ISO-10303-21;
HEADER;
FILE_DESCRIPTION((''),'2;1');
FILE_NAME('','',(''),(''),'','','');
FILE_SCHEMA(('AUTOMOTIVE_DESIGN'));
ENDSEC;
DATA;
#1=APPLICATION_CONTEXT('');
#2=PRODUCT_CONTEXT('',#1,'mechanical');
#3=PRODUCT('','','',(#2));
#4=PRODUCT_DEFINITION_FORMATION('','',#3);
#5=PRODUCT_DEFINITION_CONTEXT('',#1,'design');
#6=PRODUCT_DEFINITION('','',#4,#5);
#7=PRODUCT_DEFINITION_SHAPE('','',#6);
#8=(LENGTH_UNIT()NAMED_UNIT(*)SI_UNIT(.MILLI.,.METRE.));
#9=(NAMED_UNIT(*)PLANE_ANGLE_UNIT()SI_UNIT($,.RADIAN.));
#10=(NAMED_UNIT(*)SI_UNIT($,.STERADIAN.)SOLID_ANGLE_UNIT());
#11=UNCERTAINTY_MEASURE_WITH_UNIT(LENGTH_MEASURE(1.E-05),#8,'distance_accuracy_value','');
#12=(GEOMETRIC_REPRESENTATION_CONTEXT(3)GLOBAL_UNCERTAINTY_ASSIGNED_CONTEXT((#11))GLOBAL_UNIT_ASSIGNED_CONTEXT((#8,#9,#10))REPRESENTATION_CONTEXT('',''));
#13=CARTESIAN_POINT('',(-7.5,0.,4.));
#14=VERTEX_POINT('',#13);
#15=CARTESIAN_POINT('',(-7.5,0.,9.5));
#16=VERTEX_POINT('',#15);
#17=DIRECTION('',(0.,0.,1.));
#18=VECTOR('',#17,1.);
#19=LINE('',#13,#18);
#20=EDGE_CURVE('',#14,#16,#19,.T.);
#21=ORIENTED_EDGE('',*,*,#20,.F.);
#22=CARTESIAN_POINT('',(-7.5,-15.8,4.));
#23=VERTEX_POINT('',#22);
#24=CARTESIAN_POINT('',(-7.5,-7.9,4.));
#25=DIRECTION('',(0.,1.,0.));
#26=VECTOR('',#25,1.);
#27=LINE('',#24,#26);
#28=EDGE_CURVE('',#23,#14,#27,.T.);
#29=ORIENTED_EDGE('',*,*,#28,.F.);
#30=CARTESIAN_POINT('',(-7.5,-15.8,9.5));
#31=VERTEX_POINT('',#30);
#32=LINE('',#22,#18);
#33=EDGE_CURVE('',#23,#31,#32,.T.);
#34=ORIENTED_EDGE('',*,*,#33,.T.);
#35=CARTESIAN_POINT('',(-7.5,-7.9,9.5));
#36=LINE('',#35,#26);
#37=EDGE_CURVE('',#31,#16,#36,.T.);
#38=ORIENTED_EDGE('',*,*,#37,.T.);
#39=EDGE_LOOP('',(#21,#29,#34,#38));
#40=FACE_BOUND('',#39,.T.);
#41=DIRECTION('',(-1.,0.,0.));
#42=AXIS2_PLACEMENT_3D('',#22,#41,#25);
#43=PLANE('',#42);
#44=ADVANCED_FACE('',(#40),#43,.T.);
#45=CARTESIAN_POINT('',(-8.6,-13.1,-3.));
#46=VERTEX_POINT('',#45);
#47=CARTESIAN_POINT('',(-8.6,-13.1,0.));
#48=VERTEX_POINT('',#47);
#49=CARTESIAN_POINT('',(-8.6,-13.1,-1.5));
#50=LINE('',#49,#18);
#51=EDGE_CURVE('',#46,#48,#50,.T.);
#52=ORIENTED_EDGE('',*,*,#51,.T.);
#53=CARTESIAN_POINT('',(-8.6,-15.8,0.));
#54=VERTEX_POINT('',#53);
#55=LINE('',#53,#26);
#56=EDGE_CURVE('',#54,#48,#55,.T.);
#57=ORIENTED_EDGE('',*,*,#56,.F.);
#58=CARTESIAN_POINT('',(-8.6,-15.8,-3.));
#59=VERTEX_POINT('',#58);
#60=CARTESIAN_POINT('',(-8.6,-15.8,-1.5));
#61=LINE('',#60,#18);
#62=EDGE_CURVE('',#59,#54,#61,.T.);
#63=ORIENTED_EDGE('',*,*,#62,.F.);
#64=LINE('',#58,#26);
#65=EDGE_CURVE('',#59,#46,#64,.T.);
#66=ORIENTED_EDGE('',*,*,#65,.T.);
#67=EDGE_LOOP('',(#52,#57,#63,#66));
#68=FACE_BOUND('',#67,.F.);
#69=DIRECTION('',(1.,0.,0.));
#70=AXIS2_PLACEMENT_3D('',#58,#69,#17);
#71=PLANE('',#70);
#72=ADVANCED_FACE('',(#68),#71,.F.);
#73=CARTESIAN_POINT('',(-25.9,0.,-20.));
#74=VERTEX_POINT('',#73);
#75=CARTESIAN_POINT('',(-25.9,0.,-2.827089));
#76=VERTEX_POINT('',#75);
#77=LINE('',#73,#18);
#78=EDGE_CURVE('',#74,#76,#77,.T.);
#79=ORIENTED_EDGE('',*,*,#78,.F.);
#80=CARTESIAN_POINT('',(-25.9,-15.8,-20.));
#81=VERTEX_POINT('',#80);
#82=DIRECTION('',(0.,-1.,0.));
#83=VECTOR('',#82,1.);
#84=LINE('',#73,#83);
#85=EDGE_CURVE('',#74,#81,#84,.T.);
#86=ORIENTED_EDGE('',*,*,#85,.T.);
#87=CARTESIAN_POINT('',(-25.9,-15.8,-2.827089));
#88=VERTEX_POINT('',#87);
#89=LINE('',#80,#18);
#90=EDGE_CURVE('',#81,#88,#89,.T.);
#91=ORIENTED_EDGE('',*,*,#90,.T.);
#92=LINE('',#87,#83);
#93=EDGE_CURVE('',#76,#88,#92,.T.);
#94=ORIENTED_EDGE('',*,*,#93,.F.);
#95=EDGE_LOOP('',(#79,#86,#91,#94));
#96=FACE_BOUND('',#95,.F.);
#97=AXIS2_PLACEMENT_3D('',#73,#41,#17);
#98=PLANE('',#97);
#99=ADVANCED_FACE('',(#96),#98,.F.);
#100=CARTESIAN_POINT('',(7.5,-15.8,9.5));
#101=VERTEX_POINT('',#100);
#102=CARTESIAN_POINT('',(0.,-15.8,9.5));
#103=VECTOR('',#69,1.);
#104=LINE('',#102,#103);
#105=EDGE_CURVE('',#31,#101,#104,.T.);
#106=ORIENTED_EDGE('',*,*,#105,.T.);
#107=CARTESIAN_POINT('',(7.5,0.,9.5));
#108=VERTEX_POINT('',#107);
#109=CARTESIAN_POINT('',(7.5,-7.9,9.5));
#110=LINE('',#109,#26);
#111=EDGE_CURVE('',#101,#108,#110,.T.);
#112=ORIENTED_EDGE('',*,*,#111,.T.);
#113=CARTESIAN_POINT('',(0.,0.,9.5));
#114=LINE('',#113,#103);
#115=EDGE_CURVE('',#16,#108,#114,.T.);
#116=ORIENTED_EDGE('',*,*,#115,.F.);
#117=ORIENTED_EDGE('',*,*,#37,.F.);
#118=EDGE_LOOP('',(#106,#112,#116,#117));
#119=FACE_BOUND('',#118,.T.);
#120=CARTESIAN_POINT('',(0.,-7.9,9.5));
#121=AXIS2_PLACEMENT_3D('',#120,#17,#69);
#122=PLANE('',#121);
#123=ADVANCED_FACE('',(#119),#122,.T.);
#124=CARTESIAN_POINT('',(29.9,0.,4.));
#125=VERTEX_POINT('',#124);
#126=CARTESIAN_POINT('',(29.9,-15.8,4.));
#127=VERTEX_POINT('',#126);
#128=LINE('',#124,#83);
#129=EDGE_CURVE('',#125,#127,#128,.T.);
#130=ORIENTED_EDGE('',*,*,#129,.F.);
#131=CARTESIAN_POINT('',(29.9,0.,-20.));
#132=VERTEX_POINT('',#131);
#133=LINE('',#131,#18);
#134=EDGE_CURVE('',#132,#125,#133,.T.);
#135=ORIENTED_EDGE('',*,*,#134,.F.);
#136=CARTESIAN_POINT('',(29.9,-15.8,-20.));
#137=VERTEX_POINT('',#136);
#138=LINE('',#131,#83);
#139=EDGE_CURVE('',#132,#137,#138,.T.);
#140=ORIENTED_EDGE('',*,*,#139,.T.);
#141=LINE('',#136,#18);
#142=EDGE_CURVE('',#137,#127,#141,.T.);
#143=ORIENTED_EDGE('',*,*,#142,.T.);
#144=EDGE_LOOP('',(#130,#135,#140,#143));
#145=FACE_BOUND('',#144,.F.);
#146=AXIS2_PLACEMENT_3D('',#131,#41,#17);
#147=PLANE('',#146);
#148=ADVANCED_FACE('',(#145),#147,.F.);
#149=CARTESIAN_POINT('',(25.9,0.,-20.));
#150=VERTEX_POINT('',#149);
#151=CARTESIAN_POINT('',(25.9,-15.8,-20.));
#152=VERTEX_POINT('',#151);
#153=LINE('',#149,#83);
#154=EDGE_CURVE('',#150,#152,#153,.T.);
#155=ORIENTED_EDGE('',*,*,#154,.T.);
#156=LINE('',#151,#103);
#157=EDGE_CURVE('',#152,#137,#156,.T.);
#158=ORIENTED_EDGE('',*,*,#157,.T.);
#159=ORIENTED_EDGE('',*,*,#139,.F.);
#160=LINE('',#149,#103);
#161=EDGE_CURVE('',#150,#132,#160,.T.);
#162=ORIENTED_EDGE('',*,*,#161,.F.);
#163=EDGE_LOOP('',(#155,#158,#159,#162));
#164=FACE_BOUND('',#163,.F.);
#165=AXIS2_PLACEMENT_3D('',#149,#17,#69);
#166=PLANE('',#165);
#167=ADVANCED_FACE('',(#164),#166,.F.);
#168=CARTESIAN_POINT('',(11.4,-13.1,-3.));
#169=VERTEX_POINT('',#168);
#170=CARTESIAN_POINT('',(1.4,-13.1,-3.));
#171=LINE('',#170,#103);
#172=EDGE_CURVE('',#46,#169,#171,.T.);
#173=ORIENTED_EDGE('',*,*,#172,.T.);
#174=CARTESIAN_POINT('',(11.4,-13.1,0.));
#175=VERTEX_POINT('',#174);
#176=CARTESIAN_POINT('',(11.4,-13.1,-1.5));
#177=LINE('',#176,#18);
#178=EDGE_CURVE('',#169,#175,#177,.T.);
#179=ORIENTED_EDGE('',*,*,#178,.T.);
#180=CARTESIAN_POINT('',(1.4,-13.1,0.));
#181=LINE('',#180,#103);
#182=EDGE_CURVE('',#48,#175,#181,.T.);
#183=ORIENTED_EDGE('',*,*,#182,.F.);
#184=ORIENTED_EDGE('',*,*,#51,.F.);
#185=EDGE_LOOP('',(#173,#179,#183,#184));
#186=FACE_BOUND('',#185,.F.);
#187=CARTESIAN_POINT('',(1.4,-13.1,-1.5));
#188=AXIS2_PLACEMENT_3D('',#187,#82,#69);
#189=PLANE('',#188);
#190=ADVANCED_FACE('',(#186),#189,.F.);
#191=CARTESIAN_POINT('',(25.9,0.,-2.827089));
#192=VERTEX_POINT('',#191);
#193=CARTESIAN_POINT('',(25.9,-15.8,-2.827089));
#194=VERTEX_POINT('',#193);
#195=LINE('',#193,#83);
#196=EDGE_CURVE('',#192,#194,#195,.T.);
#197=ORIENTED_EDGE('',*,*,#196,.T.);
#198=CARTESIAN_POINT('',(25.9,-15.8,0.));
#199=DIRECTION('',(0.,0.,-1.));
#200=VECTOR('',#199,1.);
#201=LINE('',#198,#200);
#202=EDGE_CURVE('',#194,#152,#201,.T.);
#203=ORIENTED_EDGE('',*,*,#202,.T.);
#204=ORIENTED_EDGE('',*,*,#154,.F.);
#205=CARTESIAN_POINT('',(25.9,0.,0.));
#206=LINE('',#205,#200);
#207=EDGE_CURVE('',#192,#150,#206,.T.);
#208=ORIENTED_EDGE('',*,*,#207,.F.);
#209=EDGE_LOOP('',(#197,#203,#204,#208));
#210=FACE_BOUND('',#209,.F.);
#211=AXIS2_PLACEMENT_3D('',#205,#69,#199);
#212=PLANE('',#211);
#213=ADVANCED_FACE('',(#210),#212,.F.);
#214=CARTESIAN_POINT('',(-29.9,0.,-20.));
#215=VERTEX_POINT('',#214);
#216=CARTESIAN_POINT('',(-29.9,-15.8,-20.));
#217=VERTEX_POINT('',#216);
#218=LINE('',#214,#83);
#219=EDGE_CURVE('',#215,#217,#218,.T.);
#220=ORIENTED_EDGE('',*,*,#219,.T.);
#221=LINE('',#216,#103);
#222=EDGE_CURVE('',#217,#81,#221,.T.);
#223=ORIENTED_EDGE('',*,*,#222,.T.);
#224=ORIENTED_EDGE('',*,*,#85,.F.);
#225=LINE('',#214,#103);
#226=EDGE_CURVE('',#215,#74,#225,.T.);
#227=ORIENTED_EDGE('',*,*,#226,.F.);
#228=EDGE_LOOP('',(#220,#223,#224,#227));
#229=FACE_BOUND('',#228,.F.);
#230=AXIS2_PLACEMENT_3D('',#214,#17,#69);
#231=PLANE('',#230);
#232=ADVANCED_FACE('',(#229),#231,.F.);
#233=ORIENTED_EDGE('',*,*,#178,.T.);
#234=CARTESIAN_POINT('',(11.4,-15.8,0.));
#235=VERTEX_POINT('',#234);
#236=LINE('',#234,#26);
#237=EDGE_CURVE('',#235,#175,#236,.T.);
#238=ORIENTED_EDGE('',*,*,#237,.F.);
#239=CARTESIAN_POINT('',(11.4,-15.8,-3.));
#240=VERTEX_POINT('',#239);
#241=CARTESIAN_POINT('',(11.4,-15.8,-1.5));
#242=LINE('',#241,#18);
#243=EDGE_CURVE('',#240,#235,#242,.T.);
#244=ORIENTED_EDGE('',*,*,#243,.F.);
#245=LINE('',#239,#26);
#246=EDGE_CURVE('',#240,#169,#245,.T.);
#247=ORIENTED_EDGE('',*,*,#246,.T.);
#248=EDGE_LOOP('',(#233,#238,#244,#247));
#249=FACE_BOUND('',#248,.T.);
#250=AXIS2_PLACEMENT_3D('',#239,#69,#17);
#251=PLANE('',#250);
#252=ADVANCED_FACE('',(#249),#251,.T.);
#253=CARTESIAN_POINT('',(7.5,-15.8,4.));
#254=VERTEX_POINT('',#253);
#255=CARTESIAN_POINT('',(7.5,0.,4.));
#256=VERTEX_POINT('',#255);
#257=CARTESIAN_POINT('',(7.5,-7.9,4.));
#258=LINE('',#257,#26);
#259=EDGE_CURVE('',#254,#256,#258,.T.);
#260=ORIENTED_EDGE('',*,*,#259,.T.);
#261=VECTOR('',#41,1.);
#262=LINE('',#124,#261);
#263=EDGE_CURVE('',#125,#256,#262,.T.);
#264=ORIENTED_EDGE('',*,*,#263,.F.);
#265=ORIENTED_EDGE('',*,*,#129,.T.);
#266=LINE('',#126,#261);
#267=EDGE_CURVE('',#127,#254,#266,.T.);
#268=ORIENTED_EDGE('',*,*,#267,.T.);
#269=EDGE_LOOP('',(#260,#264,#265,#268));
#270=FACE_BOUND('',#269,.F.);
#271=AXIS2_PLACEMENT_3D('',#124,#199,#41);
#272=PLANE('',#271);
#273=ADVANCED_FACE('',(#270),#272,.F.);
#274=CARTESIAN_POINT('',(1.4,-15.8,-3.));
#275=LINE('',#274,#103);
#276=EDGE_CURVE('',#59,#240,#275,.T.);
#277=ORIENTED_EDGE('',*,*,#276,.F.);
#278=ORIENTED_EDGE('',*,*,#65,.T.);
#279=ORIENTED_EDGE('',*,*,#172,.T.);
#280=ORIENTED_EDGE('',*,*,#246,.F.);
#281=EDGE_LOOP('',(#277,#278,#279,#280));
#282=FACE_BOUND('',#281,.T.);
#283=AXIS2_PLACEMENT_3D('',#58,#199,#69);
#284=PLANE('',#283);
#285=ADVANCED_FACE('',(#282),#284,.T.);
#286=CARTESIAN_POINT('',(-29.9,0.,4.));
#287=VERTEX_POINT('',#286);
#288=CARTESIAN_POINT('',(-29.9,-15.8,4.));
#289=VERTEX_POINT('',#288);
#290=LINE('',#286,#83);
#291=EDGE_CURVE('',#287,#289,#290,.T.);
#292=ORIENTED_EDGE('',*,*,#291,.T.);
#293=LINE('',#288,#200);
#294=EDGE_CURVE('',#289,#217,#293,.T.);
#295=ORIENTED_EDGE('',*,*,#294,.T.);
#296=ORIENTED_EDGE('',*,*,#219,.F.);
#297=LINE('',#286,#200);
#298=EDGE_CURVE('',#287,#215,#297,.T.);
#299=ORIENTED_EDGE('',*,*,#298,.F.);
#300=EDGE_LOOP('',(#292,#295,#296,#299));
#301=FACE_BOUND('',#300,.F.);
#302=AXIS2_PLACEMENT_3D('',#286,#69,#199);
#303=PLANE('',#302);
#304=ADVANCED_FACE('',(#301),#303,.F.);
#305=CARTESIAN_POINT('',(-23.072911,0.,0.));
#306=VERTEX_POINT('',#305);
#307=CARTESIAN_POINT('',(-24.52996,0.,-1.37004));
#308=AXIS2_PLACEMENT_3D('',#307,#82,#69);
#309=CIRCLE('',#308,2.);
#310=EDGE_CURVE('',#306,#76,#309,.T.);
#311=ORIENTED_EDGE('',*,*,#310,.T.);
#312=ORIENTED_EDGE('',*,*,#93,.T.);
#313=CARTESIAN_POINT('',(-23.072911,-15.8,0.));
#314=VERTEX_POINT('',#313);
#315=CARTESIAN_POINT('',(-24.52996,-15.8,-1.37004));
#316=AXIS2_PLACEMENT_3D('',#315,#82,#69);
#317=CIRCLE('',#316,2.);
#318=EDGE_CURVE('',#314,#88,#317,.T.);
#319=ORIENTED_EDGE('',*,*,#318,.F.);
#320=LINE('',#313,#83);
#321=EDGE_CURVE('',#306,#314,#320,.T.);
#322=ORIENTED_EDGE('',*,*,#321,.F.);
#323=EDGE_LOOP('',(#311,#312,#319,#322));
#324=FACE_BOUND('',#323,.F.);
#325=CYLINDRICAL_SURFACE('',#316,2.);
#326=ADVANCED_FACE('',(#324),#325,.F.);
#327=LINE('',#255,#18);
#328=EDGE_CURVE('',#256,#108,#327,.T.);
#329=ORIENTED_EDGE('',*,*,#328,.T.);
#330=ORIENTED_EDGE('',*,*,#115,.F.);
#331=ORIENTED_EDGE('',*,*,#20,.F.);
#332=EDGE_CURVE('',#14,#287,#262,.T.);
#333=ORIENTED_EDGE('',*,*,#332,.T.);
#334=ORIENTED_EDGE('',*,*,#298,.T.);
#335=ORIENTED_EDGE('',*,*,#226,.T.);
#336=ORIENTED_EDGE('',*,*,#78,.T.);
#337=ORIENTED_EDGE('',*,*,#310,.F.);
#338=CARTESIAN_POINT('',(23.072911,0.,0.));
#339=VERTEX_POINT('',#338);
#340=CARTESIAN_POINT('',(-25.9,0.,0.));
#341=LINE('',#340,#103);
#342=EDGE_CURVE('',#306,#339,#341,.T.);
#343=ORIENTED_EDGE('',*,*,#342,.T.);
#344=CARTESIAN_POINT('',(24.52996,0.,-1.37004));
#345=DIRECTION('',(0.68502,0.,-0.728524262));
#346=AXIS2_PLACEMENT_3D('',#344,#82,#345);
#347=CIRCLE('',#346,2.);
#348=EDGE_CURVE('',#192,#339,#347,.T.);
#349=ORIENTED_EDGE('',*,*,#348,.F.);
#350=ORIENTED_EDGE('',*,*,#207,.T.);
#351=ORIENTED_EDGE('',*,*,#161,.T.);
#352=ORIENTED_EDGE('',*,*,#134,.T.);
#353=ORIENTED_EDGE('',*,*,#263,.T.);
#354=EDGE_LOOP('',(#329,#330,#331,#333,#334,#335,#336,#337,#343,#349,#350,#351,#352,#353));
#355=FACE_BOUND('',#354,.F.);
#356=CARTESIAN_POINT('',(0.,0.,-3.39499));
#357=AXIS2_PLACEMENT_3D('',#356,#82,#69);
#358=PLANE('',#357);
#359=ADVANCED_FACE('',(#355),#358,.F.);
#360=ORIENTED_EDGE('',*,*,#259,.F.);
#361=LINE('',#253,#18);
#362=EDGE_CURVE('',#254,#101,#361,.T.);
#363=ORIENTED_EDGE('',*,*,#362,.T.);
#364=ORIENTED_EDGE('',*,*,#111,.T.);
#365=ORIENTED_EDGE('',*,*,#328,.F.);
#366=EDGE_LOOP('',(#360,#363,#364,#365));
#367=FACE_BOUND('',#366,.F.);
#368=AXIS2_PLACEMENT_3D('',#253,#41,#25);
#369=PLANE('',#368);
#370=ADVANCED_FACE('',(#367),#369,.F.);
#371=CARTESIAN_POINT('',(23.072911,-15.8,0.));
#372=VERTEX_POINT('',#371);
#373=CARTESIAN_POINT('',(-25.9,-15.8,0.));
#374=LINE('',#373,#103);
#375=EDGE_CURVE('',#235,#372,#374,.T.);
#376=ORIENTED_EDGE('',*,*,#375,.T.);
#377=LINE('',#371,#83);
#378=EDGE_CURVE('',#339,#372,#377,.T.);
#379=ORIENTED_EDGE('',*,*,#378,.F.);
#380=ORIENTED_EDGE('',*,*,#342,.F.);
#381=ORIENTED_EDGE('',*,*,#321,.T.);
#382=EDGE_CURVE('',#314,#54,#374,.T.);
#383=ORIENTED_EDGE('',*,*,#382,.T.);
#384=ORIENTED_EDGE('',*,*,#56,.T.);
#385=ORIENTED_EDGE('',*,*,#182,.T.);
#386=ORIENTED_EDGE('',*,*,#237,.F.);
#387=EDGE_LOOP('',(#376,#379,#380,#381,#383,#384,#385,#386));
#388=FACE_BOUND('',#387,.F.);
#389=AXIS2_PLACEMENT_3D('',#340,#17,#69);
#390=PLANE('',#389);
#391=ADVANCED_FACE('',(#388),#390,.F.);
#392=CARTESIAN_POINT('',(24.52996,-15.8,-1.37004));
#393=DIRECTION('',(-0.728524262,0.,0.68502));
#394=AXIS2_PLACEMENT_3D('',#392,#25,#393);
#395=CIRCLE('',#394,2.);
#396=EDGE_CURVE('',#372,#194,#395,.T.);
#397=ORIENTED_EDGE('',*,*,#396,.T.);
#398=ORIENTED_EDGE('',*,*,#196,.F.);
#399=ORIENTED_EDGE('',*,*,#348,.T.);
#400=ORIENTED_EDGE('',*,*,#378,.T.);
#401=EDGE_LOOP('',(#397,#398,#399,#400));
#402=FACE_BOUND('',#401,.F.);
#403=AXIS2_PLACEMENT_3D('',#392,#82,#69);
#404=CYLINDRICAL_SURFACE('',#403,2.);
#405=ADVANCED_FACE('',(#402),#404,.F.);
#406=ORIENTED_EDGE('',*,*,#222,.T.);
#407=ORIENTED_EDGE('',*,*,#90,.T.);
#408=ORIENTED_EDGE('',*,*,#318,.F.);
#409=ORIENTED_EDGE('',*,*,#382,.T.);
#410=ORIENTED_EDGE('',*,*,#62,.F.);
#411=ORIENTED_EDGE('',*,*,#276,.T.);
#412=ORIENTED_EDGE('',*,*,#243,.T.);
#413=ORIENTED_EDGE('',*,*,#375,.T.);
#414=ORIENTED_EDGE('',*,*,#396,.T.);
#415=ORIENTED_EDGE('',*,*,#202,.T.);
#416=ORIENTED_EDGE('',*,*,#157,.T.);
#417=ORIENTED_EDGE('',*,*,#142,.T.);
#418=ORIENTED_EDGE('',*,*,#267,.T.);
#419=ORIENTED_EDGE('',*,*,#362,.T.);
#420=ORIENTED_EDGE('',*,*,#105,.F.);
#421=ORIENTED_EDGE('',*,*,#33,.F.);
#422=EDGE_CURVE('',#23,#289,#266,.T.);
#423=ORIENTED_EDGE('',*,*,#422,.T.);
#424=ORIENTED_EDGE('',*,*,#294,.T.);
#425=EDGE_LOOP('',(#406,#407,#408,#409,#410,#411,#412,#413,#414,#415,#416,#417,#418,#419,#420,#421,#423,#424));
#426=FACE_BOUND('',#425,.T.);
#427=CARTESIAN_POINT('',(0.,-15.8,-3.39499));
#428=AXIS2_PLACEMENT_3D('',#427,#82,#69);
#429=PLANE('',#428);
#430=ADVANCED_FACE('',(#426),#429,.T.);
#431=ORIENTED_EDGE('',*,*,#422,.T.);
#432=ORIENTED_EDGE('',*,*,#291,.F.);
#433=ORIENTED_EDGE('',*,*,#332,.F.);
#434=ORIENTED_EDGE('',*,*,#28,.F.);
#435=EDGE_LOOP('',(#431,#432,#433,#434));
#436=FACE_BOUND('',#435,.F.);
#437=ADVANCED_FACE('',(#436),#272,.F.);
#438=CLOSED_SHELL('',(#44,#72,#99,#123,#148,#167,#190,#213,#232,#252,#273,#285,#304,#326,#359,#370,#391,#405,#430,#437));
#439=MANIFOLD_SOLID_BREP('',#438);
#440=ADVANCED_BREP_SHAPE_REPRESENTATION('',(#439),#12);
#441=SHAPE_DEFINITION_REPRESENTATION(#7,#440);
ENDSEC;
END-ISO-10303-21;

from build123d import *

# Parameters (mm, degrees)
F1_DEPTH = 15.8
F2_W     = 20
F2_H     = 3
F3_DEPTH = 2.7
F4_W     = 15
F4_H     = 15.8
F5_DEPTH = 5.5
F6_R     = 2
F7_DEPTH = 15.801


with BuildPart() as f1:
    # F0 (on Front) → F1 (new body)
    with BuildSketch(Plane.XZ):
        Polygon((-25.9, -20), (-25.9, 0), (25.9, 0), (25.9, -20), (29.9, -20), (29.9, 4), (-29.9, 4), (-29.9, -20), align=None)
    extrude(amount=F1_DEPTH)

    # F2 (on face) → F3 (join)
    with BuildSketch(Plane.XZ.offset(15.8)):
        with Locations((1.4, -1.5)):
            Rectangle(F2_W, F2_H)
    extrude(amount=-F3_DEPTH)

    # F4 (on face) → F5 (join)
    with BuildSketch(Plane.XY.offset(4)):
        with Locations((0, -7.9)):
            Rectangle(F4_W, F4_H)
    extrude(amount=F5_DEPTH)

    # F6 (on face) → F7 (cut, through all)
    with BuildSketch(Plane.XZ.offset(15.8)):
        with Locations((-24.52996, -1.37004)):
            Circle(F6_R)
        with Locations((24.52996, -1.37004)):
            Circle(F6_R)
    extrude(amount=-F7_DEPTH, mode=Mode.SUBTRACT)


solid = f1.part
